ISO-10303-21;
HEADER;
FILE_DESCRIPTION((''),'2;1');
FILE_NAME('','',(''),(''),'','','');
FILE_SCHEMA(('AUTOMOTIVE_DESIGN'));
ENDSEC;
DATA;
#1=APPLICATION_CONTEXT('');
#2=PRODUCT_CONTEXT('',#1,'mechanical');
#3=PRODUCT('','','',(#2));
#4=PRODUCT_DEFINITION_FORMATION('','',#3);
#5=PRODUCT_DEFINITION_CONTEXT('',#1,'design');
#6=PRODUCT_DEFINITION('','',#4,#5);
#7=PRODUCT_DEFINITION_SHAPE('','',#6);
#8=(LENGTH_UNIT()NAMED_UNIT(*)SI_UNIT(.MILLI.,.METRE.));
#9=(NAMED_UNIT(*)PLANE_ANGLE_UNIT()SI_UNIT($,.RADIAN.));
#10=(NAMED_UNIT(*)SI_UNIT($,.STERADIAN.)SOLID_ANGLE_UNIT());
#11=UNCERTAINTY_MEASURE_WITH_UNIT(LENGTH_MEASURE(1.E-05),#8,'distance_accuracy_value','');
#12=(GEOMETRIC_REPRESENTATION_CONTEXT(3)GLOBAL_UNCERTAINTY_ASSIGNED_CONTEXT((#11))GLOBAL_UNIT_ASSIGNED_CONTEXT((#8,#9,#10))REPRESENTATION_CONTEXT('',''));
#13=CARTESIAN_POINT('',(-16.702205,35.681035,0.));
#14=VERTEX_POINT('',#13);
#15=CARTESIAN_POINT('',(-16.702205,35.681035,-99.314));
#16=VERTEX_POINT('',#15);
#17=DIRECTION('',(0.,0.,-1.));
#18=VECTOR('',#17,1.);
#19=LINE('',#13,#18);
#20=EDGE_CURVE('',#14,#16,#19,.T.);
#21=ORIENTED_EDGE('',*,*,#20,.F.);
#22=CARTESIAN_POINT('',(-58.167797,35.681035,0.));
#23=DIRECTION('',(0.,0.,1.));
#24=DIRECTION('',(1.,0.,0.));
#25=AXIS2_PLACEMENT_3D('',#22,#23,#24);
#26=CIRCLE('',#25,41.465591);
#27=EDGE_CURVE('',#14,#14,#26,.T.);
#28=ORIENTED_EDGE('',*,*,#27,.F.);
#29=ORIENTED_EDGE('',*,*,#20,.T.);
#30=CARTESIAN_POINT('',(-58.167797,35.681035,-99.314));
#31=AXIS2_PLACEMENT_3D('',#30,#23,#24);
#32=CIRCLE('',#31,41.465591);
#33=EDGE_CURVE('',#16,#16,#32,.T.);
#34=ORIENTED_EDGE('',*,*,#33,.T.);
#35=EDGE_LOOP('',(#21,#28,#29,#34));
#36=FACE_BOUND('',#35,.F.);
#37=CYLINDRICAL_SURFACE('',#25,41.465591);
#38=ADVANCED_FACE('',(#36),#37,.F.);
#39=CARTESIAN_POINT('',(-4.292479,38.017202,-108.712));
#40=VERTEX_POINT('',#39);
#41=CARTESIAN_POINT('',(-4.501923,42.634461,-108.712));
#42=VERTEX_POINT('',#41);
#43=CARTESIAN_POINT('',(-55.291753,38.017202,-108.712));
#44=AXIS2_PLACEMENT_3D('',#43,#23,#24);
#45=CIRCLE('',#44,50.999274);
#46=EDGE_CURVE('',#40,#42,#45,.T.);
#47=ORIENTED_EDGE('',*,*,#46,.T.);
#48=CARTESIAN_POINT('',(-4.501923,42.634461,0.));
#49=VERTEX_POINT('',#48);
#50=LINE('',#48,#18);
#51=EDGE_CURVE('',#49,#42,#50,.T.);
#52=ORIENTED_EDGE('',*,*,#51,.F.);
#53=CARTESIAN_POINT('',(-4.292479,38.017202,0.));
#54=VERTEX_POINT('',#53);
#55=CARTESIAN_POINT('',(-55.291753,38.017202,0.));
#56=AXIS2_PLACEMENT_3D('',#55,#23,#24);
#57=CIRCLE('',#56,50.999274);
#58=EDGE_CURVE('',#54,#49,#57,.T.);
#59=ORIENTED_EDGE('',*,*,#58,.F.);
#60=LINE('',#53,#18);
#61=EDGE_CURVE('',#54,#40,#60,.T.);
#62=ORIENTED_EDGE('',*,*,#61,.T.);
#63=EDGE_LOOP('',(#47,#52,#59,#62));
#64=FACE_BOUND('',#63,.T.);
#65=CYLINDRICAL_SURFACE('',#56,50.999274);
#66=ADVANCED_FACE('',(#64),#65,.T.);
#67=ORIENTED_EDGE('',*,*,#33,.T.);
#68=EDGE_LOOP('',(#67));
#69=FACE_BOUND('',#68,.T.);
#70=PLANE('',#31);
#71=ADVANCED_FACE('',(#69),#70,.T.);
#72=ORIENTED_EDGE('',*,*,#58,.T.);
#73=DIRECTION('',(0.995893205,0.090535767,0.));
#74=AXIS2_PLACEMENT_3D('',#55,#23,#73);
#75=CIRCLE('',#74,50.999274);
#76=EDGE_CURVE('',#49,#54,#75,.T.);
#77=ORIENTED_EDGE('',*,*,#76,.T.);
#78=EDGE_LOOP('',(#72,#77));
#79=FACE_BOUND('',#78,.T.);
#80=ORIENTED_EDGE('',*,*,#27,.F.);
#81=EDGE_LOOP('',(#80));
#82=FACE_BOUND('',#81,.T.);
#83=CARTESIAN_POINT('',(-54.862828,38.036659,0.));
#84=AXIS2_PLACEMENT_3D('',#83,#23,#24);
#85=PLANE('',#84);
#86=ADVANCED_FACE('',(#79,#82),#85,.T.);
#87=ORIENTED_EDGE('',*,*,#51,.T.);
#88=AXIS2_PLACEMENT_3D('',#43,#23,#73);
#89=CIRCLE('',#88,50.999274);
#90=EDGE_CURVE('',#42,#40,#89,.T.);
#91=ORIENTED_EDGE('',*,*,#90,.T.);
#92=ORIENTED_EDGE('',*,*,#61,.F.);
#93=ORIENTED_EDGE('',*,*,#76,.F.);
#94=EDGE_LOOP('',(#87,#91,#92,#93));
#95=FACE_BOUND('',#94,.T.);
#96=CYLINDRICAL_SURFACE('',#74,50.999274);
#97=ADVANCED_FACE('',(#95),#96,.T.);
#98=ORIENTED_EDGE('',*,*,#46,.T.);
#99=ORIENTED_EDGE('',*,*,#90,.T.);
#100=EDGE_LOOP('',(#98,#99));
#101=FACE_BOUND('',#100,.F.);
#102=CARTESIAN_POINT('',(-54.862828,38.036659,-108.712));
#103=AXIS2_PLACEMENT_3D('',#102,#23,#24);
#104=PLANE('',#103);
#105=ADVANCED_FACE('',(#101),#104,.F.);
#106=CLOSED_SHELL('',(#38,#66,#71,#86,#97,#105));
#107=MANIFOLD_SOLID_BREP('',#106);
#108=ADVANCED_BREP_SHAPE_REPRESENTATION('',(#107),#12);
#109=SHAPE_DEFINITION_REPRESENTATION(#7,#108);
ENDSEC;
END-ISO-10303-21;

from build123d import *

# Parameters (mm, degrees)
F1_DEPTH = 108.712
F2_R     = 41.4655911313
F3_DEPTH = 99.314


with BuildPart() as f1:
    # F0 (on Top) → F1 (new body)
    with BuildSketch(Plane.XY):
        with BuildLine():
            ThreePointArc((-4.2924791393, 38.0172021687), (-4.3448669429, 40.3282052906), (-4.5019227254, 42.6344605654))
            ThreePointArc((-4.5019227254, 42.6344605654), (-106.2386395817, 35.7061990468), (-4.2924791393, 38.0172021687))
        make_face()
        with BuildLine():
            ThreePointArc((-4.5019227254, 42.6344605654), (-4.4697059504, 42.161379566), (-4.4589596662, 41.6873246431))
            ThreePointArc((-4.4589596662, 41.6873246431), (-25.3711247631, 41.2132697203), (-4.5019227254, 42.6344605654))
        make_face(mode=Mode.SUBTRACT)
        with BuildLine():
            ThreePointArc((-4.5019227254, 42.6344605654), (-25.3711247631, 41.2132697203), (-4.4589596662, 41.6873246431))
            ThreePointArc((-4.4589596662, 41.6873246431), (-4.4697059504, 42.161379566), (-4.5019227254, 42.6344605654))
        make_face()
    extrude(amount=-F1_DEPTH)

    # F2 (on Top) → F3 (cut)
    with BuildSketch(Plane.XY):
        with Locations((-58.167796582, 35.6810353696)):
            Circle(F2_R)
    extrude(amount=-F3_DEPTH, mode=Mode.SUBTRACT)


solid = f1.part
